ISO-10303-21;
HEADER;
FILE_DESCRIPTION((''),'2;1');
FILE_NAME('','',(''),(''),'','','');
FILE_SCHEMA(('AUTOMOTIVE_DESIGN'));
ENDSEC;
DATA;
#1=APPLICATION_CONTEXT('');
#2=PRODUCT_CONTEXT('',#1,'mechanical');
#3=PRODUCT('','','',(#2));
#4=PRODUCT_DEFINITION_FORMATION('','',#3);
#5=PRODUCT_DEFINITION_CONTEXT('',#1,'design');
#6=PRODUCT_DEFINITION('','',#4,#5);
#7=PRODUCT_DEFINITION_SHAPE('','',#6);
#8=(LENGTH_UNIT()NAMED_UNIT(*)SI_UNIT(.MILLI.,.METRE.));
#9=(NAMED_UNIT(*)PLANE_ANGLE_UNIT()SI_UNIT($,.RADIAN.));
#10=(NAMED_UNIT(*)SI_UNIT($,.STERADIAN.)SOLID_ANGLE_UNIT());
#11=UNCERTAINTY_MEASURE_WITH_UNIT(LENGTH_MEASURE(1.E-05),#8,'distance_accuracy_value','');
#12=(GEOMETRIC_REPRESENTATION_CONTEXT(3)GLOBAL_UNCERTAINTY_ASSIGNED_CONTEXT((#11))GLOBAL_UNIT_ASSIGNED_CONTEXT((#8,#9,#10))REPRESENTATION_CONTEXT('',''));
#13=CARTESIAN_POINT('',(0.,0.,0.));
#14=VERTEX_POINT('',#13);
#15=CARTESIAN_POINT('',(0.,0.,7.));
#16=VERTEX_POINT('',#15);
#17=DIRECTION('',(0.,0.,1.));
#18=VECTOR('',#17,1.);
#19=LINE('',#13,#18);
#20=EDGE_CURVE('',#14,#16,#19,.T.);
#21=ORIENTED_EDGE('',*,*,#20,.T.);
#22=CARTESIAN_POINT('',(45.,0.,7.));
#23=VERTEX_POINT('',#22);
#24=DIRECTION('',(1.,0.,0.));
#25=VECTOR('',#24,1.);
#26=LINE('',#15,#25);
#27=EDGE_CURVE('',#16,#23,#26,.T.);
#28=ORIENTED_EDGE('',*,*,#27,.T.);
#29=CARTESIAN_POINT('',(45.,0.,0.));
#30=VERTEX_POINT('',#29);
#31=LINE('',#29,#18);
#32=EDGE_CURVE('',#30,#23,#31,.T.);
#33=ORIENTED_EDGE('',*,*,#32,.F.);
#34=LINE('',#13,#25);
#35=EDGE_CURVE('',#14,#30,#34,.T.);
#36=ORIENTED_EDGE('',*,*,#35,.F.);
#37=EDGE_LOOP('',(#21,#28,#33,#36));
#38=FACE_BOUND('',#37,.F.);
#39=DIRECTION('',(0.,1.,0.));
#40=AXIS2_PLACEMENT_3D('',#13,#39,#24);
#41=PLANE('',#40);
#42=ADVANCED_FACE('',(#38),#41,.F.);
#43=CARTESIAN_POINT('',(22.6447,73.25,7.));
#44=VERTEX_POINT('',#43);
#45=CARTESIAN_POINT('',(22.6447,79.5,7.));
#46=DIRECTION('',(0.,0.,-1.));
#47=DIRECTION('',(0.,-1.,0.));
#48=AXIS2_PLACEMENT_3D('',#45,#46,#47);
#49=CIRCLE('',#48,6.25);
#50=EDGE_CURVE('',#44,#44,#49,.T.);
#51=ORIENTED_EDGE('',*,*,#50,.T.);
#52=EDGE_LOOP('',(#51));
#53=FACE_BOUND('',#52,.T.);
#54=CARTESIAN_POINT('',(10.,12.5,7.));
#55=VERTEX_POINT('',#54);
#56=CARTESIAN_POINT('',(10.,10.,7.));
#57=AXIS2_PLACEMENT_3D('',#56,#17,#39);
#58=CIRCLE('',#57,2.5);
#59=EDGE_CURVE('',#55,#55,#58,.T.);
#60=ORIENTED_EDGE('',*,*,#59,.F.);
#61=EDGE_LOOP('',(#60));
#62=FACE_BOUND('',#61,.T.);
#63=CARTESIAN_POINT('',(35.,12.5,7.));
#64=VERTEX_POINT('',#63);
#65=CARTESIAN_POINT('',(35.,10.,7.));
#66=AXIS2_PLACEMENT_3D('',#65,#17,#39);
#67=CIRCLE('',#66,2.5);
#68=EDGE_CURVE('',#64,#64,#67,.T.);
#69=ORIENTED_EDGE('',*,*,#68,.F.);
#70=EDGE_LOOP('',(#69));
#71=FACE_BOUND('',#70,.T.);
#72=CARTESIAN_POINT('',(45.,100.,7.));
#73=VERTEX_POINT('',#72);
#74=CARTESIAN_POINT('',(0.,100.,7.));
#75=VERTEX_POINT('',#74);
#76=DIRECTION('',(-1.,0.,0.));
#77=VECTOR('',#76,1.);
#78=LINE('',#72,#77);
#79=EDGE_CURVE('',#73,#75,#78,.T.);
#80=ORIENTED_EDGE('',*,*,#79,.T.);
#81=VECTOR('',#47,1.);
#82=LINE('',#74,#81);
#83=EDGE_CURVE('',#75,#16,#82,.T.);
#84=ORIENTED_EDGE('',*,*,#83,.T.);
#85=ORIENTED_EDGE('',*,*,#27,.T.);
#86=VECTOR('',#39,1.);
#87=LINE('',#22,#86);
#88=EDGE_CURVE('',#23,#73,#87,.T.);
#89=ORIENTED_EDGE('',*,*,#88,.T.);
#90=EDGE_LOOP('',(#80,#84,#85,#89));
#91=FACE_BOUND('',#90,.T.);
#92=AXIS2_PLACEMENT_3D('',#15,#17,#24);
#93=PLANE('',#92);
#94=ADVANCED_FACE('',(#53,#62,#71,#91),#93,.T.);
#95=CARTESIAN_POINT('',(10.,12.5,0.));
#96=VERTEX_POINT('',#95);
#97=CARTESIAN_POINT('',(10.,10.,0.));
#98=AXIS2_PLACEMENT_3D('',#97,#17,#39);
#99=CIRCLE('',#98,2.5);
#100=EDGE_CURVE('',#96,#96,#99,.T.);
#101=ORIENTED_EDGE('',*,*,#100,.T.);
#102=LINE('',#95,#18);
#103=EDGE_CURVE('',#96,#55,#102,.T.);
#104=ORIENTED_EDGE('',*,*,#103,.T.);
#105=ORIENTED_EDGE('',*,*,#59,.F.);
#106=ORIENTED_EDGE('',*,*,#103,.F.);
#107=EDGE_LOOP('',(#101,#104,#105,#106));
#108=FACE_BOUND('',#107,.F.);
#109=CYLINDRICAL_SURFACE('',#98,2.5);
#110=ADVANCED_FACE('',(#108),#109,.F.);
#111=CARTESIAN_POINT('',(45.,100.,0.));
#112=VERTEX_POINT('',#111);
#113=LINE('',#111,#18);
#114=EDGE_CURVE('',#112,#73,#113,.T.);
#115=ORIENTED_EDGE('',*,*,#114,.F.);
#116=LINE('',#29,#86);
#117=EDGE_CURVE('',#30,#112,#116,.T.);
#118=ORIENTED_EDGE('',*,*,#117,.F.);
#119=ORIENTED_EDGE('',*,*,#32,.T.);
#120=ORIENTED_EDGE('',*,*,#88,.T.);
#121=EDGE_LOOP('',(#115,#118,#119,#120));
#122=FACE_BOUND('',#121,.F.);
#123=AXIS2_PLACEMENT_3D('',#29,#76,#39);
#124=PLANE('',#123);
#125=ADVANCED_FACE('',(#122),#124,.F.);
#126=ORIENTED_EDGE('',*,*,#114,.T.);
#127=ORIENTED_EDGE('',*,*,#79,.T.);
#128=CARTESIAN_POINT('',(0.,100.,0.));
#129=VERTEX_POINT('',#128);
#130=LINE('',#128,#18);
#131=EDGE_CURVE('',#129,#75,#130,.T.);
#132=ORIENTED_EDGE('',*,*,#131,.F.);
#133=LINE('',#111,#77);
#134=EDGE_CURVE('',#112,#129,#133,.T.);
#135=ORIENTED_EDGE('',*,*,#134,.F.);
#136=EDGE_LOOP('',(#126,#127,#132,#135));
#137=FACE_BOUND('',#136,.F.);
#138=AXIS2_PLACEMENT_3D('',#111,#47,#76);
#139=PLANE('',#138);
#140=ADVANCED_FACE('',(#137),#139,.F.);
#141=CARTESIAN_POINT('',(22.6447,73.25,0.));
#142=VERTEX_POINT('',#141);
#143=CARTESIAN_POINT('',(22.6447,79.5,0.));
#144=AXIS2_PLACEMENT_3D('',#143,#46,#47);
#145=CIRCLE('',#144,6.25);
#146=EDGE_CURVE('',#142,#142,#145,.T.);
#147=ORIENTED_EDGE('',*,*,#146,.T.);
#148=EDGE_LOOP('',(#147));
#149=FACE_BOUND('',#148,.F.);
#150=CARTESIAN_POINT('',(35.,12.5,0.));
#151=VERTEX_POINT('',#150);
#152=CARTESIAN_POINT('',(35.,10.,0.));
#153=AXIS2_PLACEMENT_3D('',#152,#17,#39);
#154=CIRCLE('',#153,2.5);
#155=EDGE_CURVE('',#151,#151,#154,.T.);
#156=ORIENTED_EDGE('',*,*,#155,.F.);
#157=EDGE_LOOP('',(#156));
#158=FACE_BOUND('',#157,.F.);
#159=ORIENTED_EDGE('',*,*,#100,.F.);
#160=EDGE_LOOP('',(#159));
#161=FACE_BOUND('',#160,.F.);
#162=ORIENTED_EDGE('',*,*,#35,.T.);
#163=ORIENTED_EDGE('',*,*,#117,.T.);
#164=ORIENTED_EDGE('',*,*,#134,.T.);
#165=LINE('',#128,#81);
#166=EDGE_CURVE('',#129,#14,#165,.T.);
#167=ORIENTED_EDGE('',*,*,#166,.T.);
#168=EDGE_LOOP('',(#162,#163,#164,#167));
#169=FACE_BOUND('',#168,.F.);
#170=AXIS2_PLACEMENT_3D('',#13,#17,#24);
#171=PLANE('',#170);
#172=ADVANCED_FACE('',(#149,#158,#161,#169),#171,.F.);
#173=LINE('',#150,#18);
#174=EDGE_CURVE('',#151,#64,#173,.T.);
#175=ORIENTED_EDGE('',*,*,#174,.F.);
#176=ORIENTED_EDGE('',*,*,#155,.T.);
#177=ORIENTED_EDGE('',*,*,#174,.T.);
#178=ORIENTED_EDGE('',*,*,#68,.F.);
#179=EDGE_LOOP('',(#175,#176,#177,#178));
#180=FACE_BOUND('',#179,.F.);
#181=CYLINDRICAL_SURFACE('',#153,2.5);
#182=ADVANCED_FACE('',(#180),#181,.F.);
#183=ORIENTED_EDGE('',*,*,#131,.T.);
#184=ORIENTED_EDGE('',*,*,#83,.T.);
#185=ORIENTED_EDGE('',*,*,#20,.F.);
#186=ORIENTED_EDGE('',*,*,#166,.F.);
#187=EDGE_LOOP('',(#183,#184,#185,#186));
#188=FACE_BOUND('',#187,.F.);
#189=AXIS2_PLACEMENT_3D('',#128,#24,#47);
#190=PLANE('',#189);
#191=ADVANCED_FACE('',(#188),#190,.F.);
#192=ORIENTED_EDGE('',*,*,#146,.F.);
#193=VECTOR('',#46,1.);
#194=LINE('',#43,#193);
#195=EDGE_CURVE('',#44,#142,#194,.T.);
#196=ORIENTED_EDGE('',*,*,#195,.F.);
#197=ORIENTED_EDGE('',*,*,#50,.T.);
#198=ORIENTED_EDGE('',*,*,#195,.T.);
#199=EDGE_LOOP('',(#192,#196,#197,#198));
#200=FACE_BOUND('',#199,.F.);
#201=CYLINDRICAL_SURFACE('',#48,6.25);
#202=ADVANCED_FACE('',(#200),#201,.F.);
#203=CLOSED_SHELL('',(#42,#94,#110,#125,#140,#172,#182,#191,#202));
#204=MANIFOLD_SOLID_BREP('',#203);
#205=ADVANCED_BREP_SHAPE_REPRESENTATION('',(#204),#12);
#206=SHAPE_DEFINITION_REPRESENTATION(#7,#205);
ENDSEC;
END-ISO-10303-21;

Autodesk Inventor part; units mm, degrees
ref_plane "YZ Plane" through (0, 0, 0) normal (1, 0, 0) x (0, 1, 0)
ref_plane "XZ Plane" through (0, 0, 0) normal (0, 1, 0) x (-1, 0, 0)
ref_plane "XY Plane" through (0, 0, 0) normal (0, 0, 1) x (1, 0, 0)
sketch "スケッチ1" plane through (0, 0, 0) normal (0, 0, 1) x (1, 0, 0)
  line L0 (0, 0) -> (45, 0)
  line L1 (45, 0) -> (45, 100)
  line L2 (45, 100) -> (0, 100)
  line L3 (0, 100) -> (0, 0)
  dimension "d0" = 100
  dimension "d1" = 45
extrude "押し出し1" add sketch "スケッチ1" along normal blind 7
sketch "スケッチ2" plane through (0, 0, 7) normal (0, 0, 1) x (1, 0, 0)
  line L0 (0, 0) -> (45, 0) projected
  point P0 (22.6447, 79.5)
  dimension "d4" = 79.5
hole "穴1" at (22.6447, 79.5, 7) direction (0, 0, -1) diameter 12.5 end through all
sketch "スケッチ3" plane through (0, 0, 0) normal (0, 0, -1) x (-1, 0, 0)
  line L0 (0, 0) -> (-45, 0) projected
  line L1 (-45, 0) -> (-45, 100) projected
  line L2 (0, 100) -> (0, 0) projected
  point P0 (-10, 10)
  point P1 (-35, 10)
  dimension "d12" = 10
  dimension "d13" = 10
  dimension "d14" = 10
  dimension "d15" = 10
hole "穴2" at (10, 10, 0) at (35, 10, 0) direction (0, 0, 1) diameter 5 end through all
sketch "スケッチ4" plane through (0, 0, 0) normal (0, 0, -1) x (-1, 0, 0)
  point P0 (0, 0)
properties part number "回転軸取り付け板"
